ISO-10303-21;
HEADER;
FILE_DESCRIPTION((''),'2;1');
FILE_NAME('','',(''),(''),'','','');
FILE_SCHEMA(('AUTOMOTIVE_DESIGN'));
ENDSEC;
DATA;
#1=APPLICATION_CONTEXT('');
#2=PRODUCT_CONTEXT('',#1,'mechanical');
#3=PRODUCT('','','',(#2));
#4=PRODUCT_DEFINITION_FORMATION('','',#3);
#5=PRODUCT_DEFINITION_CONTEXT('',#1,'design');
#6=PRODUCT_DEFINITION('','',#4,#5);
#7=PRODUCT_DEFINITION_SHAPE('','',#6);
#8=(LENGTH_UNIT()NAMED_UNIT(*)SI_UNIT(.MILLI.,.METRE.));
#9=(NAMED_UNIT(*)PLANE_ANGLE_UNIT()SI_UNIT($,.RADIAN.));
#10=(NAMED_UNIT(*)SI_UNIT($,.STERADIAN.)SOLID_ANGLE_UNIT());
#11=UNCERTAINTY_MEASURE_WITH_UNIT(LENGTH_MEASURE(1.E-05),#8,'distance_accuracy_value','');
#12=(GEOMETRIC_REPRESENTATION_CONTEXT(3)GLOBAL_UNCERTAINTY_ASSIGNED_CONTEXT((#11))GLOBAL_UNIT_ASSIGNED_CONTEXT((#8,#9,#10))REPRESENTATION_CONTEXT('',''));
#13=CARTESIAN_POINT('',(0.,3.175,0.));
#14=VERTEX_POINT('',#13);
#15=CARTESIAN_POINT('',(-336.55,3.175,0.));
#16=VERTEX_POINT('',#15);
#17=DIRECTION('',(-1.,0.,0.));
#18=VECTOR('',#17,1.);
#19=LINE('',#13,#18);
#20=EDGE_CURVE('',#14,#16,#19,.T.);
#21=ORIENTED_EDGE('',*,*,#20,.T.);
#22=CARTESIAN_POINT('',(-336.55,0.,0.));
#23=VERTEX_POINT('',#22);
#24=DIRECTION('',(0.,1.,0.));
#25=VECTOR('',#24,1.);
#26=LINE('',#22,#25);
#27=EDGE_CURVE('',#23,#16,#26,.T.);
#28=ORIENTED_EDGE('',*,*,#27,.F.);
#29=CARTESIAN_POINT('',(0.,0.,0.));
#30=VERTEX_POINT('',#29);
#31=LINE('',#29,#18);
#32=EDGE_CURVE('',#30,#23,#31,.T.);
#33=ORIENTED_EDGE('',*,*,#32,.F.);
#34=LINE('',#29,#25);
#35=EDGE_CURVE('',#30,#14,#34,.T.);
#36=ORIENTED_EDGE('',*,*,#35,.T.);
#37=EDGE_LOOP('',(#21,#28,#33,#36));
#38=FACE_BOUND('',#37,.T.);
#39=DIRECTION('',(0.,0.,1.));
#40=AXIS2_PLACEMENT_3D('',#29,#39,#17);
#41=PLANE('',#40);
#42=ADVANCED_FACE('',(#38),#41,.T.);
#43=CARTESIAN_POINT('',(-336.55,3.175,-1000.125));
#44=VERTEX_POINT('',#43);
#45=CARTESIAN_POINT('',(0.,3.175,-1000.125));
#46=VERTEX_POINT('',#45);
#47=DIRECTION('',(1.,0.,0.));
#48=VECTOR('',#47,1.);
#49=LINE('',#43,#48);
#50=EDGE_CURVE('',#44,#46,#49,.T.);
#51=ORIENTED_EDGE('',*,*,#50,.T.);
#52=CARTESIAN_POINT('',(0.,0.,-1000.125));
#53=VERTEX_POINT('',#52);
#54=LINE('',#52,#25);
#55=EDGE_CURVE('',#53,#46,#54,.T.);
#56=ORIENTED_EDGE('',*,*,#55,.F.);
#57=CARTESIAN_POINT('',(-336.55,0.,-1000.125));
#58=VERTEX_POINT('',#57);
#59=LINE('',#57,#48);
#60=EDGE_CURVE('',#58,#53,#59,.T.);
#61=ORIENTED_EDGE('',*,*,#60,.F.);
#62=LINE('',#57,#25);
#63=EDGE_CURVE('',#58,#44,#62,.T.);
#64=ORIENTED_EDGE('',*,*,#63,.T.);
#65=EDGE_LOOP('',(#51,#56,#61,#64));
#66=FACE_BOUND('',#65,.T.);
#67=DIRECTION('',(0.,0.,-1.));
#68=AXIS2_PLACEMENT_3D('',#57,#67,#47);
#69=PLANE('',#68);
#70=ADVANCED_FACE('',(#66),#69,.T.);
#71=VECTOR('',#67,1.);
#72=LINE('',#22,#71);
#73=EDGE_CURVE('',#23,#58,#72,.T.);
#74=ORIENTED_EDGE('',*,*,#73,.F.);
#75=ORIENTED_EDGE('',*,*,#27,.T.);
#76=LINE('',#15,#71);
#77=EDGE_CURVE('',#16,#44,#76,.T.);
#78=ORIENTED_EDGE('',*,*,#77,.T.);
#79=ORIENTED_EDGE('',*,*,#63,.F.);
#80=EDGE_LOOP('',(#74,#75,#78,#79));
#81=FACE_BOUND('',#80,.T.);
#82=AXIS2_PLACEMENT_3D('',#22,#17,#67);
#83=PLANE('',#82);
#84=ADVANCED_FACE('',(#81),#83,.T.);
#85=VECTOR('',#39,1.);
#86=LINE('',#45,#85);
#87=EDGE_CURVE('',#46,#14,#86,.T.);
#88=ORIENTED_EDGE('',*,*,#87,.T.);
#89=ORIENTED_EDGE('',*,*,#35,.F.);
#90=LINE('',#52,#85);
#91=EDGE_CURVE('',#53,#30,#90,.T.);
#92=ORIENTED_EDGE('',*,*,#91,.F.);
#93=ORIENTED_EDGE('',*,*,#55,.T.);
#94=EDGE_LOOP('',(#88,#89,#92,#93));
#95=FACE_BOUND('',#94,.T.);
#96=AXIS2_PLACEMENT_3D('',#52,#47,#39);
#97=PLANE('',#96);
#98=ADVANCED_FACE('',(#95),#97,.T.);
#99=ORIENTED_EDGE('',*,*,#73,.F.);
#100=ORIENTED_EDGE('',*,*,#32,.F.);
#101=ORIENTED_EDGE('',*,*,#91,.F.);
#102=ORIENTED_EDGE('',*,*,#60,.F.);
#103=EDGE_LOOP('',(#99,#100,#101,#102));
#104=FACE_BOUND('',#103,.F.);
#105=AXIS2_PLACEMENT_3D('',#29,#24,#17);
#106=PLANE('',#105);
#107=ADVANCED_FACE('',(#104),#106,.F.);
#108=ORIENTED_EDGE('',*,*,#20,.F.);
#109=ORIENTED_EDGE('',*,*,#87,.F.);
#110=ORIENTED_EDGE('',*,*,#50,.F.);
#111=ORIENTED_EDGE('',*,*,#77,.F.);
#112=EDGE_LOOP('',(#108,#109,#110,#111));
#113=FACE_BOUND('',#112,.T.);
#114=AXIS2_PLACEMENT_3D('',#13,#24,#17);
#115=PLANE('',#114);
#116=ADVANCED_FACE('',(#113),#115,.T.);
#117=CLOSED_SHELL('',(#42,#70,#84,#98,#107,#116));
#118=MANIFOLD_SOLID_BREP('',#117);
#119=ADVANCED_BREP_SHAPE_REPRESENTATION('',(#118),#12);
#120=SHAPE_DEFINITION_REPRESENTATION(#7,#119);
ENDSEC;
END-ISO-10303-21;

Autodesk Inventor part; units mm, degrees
ref_plane "YZ Plane" through (0, 0, 0) normal (1, 0, 0) x (0, 1, 0)
ref_plane "XZ Plane" through (0, 0, 0) normal (0, 1, 0) x (-1, 0, 0)
ref_plane "XY Plane" through (0, 0, 0) normal (0, 0, 1) x (1, 0, 0)
sketch "Sketch1" plane through (0, 0, 0) normal (0, 1, 0) x (-1, 0, 0)
  line L0 (0, 0) -> (336.55, 0)
  line L1 (336.55, 0) -> (336.55, -1000.125)
  line L2 (336.55, -1000.125) -> (0, -1000.125)
  line L3 (0, -1000.125) -> (0, 0)
  dimension "d0" = 336.55
  dimension "d1" = 1000.125
extrude "Extrusion1" add sketch "Sketch1" along normal blind 3.175
properties part number "Shingle_With_Dimensions_13.25_x_39.375_Inches"
